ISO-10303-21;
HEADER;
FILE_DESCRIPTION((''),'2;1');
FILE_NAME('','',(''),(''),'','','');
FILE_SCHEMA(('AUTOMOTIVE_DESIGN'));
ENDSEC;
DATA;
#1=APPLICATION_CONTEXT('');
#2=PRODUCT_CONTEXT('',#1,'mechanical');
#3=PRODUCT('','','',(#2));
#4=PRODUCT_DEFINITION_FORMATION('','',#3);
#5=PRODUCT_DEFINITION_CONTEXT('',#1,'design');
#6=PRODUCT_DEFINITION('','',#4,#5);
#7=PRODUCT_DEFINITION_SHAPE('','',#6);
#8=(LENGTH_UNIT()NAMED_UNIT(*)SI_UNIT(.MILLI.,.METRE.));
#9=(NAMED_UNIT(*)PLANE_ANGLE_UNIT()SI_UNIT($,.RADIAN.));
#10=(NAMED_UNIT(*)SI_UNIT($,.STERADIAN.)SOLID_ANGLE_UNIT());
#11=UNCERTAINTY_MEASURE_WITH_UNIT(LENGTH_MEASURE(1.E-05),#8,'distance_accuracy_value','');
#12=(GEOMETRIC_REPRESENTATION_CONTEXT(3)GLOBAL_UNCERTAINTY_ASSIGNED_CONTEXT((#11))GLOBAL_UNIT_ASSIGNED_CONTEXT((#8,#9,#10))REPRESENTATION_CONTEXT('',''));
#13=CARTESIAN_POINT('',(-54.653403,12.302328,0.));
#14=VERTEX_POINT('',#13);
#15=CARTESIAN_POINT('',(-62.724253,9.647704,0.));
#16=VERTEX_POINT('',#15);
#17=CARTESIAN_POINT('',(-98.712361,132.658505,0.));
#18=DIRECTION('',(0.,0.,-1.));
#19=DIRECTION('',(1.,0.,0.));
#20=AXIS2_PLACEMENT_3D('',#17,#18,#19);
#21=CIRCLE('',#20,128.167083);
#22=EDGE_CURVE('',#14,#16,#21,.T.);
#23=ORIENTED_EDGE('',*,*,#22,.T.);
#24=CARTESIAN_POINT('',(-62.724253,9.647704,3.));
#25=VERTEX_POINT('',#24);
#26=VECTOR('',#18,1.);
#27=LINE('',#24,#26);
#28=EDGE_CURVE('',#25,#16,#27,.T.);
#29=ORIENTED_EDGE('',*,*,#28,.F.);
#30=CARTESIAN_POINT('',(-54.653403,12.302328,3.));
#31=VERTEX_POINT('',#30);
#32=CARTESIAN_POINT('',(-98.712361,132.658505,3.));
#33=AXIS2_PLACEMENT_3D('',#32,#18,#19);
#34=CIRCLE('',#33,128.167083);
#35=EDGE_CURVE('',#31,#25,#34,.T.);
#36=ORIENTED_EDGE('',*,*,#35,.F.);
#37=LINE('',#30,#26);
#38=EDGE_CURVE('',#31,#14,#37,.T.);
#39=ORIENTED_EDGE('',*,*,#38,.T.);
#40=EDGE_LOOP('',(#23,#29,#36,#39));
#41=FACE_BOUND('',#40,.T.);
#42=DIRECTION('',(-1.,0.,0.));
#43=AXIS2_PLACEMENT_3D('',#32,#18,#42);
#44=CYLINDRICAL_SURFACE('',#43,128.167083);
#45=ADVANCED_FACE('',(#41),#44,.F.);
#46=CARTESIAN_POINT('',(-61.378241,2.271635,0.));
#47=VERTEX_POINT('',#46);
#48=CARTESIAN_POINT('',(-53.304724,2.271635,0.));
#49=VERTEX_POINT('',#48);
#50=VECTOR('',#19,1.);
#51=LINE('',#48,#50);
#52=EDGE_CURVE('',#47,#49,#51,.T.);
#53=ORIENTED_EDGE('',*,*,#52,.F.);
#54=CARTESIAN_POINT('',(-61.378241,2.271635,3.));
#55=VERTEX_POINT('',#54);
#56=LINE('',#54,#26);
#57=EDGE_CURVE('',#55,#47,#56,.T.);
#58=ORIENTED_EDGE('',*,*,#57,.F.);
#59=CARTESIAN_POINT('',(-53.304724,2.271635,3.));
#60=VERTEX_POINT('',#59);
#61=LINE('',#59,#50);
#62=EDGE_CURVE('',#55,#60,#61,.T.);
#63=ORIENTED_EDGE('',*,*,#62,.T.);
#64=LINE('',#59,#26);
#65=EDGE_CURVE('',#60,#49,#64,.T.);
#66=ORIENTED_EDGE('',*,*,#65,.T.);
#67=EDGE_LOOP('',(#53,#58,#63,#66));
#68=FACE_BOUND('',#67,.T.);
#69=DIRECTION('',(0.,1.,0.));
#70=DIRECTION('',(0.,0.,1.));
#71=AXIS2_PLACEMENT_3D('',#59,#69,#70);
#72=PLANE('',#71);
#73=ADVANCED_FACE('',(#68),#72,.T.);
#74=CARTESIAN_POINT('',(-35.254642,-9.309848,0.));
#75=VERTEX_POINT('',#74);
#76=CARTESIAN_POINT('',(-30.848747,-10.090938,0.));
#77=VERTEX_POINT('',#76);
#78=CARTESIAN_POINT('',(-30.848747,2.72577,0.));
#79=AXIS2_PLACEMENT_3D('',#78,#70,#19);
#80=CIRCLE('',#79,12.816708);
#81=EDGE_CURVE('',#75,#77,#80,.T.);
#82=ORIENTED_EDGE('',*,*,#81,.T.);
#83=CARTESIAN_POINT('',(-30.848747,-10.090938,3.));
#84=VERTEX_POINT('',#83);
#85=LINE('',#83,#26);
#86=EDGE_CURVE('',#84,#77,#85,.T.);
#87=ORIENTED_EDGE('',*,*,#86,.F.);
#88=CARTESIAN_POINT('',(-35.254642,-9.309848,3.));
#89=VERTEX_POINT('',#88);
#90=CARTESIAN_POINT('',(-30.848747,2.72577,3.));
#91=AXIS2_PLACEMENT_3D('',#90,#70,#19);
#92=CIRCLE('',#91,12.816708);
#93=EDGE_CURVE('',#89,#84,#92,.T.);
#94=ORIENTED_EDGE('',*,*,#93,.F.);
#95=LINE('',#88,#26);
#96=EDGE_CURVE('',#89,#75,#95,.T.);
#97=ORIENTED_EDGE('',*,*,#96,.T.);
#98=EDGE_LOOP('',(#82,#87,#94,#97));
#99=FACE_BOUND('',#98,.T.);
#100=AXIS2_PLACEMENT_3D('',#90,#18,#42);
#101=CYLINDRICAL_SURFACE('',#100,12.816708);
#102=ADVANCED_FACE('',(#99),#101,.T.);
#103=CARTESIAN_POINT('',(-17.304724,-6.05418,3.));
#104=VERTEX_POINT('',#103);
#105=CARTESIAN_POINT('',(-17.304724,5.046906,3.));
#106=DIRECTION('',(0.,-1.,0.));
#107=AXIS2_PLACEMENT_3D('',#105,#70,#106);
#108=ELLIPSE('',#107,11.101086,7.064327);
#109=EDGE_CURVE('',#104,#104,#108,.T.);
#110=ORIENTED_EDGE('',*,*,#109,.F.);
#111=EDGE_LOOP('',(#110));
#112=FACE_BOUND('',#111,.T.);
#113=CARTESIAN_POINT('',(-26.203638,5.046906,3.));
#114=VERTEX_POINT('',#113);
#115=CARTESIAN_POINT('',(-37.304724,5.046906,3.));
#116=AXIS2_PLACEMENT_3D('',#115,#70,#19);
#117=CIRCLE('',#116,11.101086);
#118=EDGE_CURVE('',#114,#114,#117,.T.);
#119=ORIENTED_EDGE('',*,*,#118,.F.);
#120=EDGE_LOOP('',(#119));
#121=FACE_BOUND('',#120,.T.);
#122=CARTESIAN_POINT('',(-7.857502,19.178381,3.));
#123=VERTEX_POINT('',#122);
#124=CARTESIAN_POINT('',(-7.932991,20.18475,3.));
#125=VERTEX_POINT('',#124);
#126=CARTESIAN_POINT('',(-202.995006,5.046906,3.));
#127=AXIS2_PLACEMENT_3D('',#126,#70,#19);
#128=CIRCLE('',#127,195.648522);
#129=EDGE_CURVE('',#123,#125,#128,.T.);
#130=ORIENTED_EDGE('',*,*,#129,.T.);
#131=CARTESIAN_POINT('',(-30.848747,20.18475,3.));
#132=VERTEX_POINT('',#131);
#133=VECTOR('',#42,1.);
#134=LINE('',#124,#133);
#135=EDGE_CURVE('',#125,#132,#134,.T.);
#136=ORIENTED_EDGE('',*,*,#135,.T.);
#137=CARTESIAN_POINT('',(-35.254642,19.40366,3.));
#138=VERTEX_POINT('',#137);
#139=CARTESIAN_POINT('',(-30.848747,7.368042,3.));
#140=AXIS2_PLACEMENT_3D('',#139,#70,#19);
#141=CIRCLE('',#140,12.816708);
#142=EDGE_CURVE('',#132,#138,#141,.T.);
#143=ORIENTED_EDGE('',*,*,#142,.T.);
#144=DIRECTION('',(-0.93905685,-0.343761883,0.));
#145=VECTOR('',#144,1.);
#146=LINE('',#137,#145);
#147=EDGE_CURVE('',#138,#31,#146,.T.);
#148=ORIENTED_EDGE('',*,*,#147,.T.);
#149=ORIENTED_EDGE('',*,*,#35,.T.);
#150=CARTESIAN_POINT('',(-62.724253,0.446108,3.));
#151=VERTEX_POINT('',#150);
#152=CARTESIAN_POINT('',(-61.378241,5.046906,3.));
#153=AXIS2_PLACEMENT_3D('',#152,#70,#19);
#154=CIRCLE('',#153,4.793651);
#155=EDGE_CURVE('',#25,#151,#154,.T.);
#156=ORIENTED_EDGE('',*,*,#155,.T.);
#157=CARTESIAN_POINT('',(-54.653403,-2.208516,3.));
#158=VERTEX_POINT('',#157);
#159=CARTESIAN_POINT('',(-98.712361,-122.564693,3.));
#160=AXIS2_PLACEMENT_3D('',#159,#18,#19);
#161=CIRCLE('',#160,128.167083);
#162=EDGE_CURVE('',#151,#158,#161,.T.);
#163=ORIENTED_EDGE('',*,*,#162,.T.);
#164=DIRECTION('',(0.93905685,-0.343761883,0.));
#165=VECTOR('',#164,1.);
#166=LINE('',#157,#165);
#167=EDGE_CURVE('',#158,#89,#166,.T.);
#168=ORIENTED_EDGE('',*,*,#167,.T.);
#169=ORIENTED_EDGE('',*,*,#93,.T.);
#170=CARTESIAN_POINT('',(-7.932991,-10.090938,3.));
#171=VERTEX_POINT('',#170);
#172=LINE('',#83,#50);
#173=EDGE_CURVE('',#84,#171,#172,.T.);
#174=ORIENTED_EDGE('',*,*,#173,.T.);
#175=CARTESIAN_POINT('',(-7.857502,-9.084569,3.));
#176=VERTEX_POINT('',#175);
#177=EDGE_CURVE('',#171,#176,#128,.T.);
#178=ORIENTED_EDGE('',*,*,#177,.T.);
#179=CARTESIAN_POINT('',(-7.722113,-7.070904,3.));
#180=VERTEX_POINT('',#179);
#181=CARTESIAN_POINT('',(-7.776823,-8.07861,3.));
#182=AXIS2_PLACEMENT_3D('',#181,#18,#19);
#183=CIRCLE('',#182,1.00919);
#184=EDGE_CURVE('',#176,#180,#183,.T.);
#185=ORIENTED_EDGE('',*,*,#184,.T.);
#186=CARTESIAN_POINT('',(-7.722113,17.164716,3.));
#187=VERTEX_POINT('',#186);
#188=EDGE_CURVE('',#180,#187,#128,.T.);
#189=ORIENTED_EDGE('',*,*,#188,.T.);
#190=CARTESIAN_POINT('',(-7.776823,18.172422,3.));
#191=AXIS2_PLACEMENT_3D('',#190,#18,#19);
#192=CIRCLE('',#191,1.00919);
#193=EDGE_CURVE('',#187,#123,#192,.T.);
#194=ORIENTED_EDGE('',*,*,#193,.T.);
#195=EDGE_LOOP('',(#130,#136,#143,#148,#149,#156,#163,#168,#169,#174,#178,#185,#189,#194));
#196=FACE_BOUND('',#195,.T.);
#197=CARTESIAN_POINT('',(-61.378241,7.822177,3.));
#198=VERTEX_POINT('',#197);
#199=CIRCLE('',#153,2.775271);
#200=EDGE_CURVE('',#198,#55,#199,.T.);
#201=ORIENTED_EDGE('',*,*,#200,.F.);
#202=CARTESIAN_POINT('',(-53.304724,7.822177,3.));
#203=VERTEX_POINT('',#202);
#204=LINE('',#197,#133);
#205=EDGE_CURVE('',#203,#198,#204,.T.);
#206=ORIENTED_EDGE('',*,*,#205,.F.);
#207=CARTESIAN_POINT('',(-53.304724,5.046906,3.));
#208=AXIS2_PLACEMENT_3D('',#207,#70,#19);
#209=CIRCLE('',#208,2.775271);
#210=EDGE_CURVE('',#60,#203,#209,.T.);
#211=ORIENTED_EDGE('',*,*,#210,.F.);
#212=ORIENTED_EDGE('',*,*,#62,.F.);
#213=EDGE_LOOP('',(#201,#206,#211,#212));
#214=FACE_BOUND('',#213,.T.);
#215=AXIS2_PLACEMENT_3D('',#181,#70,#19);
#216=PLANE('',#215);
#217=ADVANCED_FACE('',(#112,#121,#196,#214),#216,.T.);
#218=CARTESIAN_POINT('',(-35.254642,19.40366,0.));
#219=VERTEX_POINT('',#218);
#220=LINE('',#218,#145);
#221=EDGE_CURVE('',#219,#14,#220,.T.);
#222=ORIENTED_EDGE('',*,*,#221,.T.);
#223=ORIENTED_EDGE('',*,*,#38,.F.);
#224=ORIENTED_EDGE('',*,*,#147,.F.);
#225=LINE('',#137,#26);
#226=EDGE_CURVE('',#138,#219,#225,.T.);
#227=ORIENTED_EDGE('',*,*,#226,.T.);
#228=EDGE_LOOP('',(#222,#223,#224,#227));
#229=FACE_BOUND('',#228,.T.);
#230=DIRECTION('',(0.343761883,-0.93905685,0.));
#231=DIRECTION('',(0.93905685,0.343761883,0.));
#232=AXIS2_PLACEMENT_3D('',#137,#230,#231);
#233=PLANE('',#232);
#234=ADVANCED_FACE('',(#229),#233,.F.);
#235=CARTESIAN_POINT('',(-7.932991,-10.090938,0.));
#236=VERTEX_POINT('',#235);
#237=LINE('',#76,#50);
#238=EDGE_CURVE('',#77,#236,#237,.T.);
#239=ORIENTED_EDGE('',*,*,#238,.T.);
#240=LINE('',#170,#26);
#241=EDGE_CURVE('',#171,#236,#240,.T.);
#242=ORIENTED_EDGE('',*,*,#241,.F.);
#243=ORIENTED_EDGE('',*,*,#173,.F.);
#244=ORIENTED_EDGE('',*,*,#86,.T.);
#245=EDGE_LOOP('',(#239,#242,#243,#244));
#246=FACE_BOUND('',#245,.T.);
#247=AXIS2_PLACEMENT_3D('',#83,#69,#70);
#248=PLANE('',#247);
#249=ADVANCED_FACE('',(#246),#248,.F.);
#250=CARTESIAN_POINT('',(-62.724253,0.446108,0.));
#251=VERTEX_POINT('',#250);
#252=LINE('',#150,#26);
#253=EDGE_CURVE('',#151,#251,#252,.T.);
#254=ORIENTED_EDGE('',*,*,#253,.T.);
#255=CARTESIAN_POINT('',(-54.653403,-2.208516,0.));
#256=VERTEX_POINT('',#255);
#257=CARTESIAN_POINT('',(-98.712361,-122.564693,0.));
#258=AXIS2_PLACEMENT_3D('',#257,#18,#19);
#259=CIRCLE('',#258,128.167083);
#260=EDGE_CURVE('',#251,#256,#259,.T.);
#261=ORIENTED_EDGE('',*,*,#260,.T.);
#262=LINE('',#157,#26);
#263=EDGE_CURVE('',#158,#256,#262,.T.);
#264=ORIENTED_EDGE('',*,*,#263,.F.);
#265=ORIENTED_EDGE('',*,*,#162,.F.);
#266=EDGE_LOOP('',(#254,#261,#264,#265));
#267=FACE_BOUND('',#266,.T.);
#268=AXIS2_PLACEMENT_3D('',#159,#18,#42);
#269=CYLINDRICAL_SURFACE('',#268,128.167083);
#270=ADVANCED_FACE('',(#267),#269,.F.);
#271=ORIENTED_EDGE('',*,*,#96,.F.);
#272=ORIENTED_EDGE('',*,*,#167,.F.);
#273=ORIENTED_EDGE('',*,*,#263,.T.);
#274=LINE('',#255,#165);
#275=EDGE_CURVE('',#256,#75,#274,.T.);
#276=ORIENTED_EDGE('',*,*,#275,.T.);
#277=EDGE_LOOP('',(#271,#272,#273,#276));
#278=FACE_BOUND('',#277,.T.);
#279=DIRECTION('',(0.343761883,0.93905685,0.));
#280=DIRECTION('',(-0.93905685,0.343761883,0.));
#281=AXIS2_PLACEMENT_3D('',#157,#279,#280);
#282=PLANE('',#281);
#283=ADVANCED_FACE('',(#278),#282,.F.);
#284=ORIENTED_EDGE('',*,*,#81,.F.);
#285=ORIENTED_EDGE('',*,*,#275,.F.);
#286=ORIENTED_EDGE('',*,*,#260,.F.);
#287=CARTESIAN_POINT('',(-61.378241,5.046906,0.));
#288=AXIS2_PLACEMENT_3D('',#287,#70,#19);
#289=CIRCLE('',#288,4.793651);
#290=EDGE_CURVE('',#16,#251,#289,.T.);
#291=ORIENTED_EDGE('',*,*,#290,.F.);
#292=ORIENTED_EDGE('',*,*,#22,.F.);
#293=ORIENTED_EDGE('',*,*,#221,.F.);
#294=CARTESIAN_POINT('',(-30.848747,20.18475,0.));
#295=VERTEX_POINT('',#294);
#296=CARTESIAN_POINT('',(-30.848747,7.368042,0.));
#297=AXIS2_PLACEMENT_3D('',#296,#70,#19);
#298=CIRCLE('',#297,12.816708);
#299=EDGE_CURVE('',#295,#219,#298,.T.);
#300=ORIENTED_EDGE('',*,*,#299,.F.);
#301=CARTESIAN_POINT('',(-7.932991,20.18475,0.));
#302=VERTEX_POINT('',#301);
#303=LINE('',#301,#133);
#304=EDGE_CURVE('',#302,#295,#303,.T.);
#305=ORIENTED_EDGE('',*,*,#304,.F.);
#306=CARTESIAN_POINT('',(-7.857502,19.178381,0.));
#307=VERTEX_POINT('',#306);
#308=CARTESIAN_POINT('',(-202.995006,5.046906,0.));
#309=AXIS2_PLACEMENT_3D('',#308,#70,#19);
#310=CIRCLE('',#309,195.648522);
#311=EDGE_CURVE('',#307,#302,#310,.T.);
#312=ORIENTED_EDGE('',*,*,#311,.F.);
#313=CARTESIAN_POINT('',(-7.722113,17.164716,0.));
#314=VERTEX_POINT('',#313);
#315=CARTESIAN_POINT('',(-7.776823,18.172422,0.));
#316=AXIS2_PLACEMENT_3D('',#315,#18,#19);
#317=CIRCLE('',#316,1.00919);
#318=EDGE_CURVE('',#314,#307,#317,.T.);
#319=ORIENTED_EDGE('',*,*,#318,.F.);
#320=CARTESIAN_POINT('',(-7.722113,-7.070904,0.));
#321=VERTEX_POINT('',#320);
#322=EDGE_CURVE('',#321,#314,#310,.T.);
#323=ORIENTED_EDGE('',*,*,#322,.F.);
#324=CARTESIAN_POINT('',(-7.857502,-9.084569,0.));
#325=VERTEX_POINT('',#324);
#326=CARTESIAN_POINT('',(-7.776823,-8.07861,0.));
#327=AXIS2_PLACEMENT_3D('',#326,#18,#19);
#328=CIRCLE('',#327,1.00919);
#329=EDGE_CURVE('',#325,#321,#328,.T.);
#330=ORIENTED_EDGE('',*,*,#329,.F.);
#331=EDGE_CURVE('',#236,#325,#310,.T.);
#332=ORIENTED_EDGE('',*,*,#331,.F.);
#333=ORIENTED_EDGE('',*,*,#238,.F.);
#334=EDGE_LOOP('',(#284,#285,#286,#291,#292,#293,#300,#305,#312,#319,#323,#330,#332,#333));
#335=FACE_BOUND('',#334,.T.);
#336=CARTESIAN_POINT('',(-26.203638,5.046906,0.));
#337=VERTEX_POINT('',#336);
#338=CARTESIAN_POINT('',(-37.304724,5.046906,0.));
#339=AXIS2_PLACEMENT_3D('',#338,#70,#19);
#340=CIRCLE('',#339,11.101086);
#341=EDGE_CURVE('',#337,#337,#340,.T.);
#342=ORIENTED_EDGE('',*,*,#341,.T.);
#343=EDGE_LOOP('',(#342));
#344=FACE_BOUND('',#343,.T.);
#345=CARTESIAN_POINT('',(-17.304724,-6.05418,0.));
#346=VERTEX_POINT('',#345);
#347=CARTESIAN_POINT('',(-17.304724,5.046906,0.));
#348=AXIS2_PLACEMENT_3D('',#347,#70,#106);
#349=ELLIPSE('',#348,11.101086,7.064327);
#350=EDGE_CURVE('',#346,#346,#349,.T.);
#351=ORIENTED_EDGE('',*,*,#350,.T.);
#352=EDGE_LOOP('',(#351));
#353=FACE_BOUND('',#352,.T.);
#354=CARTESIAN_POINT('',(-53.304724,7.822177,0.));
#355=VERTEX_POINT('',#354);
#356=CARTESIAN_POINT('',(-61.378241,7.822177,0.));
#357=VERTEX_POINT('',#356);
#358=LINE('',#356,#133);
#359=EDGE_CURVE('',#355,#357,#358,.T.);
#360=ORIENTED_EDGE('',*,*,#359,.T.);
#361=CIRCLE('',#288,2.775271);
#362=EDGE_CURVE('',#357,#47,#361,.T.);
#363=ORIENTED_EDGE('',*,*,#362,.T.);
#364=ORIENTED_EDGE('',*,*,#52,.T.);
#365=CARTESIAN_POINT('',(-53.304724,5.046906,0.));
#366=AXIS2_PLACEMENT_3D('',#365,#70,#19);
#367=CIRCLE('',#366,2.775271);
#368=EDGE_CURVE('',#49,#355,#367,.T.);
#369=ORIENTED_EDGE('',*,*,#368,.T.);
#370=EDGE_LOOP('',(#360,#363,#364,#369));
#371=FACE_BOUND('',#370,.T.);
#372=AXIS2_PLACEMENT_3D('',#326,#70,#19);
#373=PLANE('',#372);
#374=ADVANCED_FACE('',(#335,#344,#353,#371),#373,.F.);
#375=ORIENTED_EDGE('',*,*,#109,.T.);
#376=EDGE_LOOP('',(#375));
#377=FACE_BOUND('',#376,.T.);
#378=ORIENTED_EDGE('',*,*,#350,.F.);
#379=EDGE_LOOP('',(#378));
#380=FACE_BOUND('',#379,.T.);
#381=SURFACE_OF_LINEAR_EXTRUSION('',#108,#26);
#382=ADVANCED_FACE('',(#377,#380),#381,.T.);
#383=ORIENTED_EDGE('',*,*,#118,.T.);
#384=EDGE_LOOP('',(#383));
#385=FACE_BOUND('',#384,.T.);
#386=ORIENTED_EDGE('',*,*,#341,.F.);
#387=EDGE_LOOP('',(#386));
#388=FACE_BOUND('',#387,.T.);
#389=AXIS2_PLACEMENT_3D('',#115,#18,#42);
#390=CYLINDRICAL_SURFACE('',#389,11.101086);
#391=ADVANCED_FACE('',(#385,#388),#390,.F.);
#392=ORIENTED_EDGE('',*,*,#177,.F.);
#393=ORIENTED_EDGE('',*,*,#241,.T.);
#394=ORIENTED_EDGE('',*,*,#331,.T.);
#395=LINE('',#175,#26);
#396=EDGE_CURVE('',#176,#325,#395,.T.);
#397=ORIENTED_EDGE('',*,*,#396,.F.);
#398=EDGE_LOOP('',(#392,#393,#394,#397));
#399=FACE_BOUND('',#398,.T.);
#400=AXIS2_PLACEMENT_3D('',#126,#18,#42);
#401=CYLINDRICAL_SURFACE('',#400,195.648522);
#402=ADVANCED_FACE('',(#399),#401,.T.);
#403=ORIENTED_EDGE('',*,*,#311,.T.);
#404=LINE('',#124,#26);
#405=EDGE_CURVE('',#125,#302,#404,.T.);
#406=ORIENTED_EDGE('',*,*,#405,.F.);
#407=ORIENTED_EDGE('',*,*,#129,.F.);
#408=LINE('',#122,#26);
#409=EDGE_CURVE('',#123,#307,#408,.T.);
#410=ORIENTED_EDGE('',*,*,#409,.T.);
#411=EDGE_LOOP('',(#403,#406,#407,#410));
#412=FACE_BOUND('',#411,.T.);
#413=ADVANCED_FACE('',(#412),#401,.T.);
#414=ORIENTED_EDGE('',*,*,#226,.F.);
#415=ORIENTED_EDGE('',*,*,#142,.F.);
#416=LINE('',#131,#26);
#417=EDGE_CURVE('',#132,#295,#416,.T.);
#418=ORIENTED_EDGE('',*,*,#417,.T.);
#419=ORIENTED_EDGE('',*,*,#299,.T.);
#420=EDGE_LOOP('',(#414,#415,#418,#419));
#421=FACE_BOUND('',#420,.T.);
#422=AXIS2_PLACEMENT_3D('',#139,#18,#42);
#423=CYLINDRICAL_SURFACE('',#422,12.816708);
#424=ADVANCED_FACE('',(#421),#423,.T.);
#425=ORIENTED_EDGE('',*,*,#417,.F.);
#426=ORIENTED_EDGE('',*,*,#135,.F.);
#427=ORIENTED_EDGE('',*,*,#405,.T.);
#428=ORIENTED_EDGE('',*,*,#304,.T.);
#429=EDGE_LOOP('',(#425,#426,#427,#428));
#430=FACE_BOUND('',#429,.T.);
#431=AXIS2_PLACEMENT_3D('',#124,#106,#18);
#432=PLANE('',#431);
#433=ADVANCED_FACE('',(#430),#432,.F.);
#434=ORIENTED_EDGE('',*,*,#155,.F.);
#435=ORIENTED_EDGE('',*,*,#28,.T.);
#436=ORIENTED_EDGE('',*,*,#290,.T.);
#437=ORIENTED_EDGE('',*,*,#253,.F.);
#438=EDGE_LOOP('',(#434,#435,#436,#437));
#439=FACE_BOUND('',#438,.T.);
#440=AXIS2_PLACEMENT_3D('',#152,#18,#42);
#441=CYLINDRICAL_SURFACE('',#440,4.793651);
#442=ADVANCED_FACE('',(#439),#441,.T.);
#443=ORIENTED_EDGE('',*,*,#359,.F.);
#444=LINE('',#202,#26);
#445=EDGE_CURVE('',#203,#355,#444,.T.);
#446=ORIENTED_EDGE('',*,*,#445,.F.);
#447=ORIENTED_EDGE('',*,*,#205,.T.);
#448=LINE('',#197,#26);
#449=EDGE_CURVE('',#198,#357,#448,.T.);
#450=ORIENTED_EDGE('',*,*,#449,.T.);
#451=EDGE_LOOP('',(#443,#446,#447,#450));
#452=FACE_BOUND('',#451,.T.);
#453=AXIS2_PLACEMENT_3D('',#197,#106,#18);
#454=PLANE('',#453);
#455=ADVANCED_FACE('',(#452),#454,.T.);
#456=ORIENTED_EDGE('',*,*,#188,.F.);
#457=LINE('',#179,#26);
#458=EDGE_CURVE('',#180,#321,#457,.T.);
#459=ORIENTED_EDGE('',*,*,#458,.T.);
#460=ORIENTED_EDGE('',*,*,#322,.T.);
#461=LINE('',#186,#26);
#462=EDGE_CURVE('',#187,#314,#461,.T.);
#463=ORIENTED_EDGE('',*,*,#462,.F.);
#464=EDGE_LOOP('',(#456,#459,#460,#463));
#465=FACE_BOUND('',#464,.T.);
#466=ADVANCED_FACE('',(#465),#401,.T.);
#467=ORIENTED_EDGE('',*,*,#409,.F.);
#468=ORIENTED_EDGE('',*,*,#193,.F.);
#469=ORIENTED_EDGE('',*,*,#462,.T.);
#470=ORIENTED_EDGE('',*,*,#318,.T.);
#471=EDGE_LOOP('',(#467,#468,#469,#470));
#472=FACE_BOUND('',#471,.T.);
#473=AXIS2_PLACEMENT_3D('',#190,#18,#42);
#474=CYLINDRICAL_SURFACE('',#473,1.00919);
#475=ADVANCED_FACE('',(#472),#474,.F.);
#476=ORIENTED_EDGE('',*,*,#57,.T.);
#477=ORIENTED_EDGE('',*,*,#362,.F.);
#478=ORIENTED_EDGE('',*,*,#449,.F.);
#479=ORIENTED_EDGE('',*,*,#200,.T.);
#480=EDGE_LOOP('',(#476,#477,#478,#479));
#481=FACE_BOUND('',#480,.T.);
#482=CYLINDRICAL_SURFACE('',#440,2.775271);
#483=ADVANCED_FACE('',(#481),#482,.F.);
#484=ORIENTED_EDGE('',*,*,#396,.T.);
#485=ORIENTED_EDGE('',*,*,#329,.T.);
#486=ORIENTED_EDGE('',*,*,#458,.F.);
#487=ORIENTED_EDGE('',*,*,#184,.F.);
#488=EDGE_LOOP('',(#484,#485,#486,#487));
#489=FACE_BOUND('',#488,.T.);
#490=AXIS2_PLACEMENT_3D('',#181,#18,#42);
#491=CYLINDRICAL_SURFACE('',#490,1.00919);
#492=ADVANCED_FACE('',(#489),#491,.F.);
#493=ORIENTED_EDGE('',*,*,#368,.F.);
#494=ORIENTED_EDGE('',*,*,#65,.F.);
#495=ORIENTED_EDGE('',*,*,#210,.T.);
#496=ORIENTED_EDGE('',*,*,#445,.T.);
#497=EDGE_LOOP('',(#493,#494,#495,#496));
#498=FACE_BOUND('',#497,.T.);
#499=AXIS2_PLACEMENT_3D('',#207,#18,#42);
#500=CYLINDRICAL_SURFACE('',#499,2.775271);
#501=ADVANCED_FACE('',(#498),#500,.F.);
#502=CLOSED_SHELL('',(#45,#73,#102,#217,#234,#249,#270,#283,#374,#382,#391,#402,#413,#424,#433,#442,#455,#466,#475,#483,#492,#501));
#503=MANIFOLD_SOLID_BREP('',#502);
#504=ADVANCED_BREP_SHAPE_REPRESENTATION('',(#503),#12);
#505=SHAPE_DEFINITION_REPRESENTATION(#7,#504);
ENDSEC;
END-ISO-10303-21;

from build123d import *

# Parameters (mm, degrees)
SKETCH1_R           = 11.1010859
SKETCH1_RX          = 11.1010859
SKETCH1_RY          = 7.064327391
BOSS_EXTRUDE1_DEPTH = 3


with BuildPart() as part:
    # Sketch1 → Boss-Extrude1 (new body)
    with BuildSketch(Plane.XY):
        with BuildLine():
            Line((-7.932990682, 20.184750419), (-30.848746588, 20.184750419))
            ThreePointArc((-30.848746588, 20.184750419), (-33.08604518, 19.987967105), (-35.254642351, 19.403659848))
            Line((-35.254642351, 19.403659848), (-54.653402891, 12.302327865))
            ThreePointArc((-54.653402891, 12.302327865), (-58.666824966, 10.908120177), (-62.724252982, 9.647703691))
            ThreePointArc((-62.724252982, 9.647703691), (-66.171891815, 5.046906011), (-62.724252982, 0.446108331))
            ThreePointArc((-62.724252982, 0.446108331), (-58.666824966, -0.814308155), (-54.653402891, -2.208515844))
            Line((-54.653402891, -2.208515844), (-35.254642351, -9.309847827))
            ThreePointArc((-35.254642351, -9.309847827), (-33.08604518, -9.894155084), (-30.848746588, -10.090938398))
            Line((-30.848746588, -10.090938398), (-7.932990682, -10.090938398))
            ThreePointArc((-7.932990682, -10.090938398), (-7.894597342, -9.587802543), (-7.857501769, -9.084569342))
            ThreePointArc((-7.857501769, -9.084569342), (-8.582242574, -8.686691615), (-8.76641518, -7.880691384))
            ThreePointArc((-8.76641518, -7.880691384), (-8.395240322, -7.281098542), (-7.722112775, -7.070904212))
            ThreePointArc((-7.722112775, -7.070904212), (-7.346484021, 5.046906011), (-7.722112775, 17.164716233))
            ThreePointArc((-7.722112775, 17.164716233), (-8.539635898, 17.511679242), (-8.76641518, 18.370340144))
            ThreePointArc((-8.76641518, 18.370340144), (-8.447347212, 18.926650806), (-7.857501769, 19.178381363))
            ThreePointArc((-7.857501769, 19.178381363), (-7.894597342, 19.681614565), (-7.932990682, 20.184750419))
        make_face()
        with Locations((-37.304724068, 5.046906011)):
            Circle(SKETCH1_R, mode=Mode.SUBTRACT)
        with Locations(Location((-17.304724068, 5.046906011), (0, 0, -90))):
            Ellipse(SKETCH1_RX, SKETCH1_RY, mode=Mode.SUBTRACT)
        with BuildLine():
            Line((-53.304724068, 2.271634536), (-61.378241086, 2.271634536))
            ThreePointArc((-61.378241086, 2.271634536), (-64.153512561, 5.046906011), (-61.378241086, 7.822177486))
            Line((-61.378241086, 7.822177486), (-53.304724068, 7.822177486))
            ThreePointArc((-53.304724068, 7.822177486), (-50.529452593, 5.046906011), (-53.304724068, 2.271634536))
        make_face(mode=Mode.SUBTRACT)
    extrude(amount=BOSS_EXTRUDE1_DEPTH)


solid = part.part
